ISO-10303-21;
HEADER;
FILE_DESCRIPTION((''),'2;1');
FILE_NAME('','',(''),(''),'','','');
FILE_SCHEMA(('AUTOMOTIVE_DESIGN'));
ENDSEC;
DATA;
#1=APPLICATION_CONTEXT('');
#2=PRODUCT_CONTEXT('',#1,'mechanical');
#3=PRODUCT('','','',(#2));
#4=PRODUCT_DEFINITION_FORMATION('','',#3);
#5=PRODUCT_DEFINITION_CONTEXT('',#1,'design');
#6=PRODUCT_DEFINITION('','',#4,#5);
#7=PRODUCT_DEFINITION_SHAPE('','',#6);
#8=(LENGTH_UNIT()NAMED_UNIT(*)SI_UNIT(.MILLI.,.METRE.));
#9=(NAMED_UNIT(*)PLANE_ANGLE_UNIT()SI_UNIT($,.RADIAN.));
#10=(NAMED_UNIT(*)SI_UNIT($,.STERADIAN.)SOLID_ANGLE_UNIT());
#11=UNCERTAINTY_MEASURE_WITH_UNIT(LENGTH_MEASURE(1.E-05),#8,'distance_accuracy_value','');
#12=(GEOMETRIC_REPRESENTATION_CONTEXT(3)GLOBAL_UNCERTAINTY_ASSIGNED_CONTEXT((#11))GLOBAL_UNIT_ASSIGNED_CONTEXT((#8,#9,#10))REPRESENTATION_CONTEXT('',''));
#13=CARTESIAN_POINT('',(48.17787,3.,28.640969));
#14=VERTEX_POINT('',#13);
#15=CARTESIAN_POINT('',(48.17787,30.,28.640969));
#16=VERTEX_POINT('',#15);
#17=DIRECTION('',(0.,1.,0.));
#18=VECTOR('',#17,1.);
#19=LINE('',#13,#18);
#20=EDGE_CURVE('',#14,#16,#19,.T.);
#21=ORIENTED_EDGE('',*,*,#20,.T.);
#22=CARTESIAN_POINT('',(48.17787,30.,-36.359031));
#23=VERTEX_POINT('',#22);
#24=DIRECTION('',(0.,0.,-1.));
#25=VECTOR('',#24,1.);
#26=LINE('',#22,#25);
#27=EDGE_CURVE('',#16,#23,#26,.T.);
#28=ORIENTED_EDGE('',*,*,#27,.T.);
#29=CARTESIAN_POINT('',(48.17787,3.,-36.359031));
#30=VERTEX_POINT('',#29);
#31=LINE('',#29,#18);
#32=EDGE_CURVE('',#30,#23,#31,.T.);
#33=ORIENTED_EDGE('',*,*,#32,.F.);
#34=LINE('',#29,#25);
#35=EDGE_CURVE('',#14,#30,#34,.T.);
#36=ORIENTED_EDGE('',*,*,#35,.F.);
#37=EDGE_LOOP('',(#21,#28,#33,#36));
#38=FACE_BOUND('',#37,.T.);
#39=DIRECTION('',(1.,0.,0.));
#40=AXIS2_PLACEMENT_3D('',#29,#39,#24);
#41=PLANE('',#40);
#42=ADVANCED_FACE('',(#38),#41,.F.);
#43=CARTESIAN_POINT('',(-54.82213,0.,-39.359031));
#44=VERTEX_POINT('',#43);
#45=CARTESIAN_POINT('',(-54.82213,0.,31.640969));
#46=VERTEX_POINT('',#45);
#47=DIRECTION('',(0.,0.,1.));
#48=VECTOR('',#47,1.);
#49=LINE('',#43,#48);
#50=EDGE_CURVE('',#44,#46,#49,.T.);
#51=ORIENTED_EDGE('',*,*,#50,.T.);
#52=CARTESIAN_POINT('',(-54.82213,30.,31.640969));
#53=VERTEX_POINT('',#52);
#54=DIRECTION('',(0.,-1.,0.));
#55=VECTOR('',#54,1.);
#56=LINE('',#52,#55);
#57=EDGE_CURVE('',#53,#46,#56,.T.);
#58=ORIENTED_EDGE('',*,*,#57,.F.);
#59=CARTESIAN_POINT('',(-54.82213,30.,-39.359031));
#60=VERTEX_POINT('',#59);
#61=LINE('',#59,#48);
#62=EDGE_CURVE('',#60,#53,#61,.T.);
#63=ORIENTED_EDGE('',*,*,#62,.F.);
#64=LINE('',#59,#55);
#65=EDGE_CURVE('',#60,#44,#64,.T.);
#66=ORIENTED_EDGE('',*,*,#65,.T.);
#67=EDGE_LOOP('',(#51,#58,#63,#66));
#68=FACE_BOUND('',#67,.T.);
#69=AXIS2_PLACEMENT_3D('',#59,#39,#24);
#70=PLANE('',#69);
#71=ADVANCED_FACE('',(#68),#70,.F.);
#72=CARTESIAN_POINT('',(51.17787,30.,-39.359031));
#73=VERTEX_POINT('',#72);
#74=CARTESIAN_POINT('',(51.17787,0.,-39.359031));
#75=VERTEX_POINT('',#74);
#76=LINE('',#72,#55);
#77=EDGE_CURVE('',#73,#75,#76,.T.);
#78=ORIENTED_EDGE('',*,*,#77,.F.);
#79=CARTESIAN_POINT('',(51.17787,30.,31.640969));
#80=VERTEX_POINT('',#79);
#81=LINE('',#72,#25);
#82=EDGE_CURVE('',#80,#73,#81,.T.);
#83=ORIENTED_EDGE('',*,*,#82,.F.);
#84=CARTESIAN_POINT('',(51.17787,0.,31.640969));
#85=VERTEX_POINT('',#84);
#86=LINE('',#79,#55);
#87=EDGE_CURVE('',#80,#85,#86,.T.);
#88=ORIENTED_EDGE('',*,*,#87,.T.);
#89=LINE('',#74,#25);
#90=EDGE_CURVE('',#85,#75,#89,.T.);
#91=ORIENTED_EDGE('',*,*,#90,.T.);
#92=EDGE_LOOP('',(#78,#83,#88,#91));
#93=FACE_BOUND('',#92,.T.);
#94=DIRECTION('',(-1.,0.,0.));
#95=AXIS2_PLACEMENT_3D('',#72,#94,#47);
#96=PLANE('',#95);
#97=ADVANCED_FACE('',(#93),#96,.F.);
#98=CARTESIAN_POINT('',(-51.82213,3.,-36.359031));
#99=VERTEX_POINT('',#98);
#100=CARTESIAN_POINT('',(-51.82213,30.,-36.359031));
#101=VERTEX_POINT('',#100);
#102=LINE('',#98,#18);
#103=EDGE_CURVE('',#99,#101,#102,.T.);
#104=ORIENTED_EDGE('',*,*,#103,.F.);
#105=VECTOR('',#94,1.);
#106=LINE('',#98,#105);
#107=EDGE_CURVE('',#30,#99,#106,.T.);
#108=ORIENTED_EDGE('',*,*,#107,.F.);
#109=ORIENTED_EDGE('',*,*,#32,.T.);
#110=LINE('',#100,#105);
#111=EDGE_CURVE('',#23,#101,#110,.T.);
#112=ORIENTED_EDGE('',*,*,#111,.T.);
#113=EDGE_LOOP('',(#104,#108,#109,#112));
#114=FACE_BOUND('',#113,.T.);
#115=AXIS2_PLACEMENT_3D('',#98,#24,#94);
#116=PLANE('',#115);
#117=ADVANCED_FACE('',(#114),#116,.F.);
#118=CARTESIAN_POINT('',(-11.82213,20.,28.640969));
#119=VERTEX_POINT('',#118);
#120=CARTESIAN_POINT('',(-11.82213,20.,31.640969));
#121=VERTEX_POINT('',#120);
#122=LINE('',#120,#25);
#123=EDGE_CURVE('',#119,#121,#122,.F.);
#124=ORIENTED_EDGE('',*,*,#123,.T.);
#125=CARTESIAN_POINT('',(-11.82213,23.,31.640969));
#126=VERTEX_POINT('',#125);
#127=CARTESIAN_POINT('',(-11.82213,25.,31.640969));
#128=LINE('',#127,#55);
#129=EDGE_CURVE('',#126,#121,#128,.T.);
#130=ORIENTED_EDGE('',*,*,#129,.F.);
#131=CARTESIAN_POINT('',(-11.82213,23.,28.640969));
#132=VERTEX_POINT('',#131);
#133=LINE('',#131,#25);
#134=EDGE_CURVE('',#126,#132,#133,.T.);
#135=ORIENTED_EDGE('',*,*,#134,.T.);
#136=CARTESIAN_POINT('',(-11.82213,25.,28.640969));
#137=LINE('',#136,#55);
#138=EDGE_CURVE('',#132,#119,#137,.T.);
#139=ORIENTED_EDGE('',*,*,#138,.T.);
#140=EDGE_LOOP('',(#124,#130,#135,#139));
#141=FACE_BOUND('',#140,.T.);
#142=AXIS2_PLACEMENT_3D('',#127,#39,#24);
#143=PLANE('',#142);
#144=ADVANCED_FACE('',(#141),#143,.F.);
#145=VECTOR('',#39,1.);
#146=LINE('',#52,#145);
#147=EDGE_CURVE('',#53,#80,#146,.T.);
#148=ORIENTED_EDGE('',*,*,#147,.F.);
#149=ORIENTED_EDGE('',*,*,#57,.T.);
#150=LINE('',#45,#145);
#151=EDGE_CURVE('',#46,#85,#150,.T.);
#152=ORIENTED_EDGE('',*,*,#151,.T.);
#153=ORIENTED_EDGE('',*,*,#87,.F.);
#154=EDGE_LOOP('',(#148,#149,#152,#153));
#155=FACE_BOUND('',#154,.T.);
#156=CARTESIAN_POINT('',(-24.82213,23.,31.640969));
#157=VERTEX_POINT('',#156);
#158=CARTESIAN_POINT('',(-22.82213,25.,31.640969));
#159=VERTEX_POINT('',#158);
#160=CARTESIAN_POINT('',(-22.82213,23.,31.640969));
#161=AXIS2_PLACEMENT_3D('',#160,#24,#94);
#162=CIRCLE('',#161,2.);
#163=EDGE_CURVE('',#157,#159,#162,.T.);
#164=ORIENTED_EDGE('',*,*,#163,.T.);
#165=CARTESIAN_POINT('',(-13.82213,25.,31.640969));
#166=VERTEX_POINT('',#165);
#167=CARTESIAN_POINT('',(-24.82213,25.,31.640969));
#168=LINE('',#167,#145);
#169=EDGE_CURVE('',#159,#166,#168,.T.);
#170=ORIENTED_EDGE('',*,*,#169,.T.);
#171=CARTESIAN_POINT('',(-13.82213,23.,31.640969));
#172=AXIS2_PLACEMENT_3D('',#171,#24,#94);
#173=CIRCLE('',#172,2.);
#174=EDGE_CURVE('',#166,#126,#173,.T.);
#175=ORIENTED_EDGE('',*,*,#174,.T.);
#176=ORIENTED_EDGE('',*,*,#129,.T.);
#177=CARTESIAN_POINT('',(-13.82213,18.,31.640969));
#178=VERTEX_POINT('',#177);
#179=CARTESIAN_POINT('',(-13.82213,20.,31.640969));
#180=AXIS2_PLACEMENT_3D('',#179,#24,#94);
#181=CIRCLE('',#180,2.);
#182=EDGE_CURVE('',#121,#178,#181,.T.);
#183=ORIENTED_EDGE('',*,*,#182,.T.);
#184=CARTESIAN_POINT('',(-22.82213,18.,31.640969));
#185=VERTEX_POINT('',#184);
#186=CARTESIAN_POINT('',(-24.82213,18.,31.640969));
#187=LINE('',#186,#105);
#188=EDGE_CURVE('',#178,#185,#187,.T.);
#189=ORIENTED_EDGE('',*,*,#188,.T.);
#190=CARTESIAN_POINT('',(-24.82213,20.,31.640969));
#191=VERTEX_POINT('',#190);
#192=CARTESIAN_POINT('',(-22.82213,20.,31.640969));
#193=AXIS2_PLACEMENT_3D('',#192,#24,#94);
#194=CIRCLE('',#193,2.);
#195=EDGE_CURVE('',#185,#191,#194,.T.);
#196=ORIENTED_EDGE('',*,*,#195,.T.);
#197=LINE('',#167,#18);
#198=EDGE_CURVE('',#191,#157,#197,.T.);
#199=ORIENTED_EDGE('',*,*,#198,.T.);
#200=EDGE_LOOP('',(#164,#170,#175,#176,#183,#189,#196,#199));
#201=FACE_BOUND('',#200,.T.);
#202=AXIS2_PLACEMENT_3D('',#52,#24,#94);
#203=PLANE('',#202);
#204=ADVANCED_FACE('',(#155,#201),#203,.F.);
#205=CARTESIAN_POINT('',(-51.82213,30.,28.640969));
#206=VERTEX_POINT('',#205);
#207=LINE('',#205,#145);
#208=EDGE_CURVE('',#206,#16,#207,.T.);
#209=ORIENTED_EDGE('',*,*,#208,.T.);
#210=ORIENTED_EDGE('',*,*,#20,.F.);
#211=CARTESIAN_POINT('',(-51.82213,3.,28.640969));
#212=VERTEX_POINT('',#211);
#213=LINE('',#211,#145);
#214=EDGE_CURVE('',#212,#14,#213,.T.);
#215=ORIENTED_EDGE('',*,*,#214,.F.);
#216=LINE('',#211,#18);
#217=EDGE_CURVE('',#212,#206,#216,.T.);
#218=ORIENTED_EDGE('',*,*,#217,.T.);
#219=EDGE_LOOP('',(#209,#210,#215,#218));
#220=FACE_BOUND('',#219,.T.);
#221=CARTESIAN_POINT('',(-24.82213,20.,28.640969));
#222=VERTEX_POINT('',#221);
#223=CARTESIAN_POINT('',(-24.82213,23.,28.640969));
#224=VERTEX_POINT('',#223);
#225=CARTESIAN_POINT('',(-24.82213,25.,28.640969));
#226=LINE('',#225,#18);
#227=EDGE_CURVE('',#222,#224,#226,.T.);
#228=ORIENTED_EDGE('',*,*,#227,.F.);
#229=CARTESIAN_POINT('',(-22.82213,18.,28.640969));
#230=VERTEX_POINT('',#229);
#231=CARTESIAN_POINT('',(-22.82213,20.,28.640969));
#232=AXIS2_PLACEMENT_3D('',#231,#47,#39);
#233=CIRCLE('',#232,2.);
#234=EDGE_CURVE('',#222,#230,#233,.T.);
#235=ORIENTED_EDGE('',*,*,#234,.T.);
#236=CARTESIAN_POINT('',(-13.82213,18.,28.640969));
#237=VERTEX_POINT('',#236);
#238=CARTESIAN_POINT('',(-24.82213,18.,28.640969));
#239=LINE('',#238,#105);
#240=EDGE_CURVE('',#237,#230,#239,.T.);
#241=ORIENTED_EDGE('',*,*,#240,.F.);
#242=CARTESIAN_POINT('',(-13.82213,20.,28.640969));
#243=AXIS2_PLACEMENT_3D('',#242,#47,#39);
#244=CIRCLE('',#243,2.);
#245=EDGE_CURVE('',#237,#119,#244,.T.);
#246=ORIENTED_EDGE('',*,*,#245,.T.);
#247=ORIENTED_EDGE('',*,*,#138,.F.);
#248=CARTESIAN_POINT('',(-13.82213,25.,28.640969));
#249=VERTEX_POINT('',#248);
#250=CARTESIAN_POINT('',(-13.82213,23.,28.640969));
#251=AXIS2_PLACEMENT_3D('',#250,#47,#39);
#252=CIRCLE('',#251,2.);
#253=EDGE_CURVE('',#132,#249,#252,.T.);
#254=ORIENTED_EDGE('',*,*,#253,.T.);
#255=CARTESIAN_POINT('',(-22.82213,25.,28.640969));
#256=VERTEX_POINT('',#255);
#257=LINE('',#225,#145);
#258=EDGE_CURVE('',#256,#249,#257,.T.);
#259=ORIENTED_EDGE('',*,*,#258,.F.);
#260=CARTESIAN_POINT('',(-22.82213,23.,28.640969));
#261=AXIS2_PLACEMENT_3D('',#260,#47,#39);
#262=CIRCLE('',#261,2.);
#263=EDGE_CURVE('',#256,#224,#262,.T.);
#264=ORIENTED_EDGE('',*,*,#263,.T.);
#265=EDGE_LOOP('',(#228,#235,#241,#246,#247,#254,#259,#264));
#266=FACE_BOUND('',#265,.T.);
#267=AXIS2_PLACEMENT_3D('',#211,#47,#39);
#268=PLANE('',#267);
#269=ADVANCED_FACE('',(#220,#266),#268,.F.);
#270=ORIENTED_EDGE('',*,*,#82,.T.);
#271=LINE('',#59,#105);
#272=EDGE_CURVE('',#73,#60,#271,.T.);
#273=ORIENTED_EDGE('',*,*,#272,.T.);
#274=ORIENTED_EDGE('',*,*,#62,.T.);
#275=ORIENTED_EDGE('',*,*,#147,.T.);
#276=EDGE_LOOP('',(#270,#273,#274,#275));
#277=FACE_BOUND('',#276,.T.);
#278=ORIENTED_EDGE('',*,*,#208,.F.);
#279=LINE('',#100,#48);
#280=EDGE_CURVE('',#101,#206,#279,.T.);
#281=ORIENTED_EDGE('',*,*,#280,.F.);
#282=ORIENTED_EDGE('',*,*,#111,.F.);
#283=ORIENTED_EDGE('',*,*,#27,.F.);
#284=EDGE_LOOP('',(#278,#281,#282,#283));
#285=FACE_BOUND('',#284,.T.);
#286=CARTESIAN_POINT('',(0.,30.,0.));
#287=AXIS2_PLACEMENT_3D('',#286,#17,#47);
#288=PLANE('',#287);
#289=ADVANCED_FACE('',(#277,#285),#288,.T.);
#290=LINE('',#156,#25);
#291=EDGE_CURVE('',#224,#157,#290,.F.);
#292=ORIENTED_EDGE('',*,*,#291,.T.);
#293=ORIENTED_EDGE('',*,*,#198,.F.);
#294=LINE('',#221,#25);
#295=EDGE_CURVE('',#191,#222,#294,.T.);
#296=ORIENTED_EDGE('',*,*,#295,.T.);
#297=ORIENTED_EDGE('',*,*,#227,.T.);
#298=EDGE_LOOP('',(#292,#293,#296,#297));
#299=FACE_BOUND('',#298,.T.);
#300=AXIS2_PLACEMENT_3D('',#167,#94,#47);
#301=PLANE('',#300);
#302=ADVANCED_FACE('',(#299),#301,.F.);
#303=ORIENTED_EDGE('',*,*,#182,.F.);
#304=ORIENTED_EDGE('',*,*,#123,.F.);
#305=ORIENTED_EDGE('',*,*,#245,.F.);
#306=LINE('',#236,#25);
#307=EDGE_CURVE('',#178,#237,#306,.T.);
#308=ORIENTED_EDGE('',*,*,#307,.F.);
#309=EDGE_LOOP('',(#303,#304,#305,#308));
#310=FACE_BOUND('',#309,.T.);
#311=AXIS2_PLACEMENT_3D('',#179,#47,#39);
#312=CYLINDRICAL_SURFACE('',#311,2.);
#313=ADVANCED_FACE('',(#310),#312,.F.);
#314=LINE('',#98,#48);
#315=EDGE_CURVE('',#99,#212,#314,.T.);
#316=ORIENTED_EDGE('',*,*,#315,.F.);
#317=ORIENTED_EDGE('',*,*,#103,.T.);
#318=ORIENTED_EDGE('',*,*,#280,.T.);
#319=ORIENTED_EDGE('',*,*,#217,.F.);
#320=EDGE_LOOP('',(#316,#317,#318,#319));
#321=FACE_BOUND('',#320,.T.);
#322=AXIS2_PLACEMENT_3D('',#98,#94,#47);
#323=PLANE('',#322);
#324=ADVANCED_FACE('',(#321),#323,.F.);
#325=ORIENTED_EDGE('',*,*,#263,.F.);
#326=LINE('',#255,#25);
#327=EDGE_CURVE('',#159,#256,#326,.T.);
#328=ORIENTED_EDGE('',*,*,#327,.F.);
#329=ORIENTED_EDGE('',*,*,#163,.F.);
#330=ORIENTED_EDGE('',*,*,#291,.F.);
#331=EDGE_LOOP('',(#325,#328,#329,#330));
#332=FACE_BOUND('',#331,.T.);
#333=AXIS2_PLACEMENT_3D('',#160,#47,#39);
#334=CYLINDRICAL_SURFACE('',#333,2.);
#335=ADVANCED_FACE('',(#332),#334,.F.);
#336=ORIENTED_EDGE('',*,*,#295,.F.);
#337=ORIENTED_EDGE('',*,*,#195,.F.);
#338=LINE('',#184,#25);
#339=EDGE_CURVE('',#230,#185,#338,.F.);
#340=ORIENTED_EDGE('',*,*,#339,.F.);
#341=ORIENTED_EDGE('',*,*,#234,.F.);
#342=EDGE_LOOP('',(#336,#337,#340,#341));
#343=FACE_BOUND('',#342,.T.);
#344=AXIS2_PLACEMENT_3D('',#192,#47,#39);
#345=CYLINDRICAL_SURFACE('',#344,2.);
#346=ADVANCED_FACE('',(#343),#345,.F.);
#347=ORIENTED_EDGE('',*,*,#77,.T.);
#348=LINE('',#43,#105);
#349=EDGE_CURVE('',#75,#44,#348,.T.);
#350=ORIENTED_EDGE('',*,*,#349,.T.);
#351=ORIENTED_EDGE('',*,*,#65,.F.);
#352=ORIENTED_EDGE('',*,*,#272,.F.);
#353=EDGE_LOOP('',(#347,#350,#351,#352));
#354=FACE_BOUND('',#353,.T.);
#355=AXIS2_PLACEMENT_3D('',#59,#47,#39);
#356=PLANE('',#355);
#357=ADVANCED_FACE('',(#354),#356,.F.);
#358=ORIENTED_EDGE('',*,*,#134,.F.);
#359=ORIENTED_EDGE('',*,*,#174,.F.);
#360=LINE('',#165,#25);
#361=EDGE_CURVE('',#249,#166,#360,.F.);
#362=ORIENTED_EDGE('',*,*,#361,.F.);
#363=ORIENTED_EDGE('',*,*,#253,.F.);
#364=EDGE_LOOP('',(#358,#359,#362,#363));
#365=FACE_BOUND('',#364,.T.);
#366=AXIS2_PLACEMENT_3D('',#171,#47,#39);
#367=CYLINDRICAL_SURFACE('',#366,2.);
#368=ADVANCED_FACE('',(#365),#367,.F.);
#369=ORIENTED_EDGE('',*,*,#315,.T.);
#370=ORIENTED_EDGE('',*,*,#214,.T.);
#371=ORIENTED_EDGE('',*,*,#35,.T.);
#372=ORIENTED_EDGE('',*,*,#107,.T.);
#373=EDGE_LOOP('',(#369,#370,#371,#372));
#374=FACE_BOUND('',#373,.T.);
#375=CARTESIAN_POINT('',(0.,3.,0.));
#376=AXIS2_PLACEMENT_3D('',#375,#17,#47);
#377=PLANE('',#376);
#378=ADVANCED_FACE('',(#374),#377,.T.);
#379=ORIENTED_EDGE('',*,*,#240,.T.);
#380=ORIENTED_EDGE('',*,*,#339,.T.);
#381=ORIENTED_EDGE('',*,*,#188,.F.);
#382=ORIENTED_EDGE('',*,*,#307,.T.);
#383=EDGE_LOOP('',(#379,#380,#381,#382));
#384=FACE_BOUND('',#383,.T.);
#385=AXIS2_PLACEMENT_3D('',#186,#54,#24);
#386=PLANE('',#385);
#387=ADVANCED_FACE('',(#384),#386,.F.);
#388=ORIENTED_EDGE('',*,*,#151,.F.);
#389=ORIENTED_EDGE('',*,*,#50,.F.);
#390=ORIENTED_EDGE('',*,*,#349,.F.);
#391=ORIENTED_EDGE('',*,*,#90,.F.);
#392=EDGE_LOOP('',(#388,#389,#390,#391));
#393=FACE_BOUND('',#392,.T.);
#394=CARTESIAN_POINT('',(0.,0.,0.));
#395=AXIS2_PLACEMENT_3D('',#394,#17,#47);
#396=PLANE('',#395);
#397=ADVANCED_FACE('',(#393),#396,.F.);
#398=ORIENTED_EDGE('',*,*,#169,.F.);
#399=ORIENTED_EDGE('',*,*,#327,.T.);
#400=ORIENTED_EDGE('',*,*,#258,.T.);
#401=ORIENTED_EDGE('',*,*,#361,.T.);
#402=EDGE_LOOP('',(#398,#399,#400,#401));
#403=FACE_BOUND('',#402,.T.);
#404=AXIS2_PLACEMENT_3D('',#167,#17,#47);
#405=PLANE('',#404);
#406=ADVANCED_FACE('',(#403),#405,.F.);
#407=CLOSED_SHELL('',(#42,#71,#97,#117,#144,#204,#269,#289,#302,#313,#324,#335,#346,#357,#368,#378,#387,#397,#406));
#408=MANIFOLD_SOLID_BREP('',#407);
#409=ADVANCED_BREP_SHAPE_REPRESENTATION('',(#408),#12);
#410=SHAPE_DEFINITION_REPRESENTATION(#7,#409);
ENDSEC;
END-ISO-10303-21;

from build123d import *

# Parameters (mm, degrees)
SKETCH1_W           = 106
SKETCH1_H           = 71
BOSS_EXTRUDE1_DEPTH = 30
SKETCH2_W           = 100
SKETCH2_H           = 65
CUT_EXTRUDE1_DEPTH  = 27
SKETCH3_W           = 13
SKETCH3_H           = 7
CUT_EXTRUDE2_DEPTH  = 93.355107755
FILLET1_R           = 2


with BuildPart() as part:
    # Sketch1 → Boss-Extrude1 (new body)
    with BuildSketch(Plane(origin=(0, 0, 0), x_dir=(1, 0, 0), z_dir=(0, 1, 0))):
        with Locations((-1.822129915, 3.859030837)):
            Rectangle(SKETCH1_W, SKETCH1_H)
    extrude(amount=BOSS_EXTRUDE1_DEPTH)

    # Sketch2 → Cut-Extrude1 (cut)
    with BuildSketch(Plane(origin=(0, 30, 0), x_dir=(1, 0, 0), z_dir=(0, 1, 0))):
        with Locations((-1.822129915, 3.859030837)):
            Rectangle(SKETCH2_W, SKETCH2_H)
    extrude(amount=-CUT_EXTRUDE1_DEPTH, mode=Mode.SUBTRACT)

    # Sketch3 → Cut-Extrude2 (cut, through all)
    with BuildSketch(Plane(origin=(0, 0, 28.640969163), x_dir=(-1, 0, 0), z_dir=(0, 0, -1))):
        with Locations((18.322129915, 21.5)):
            Rectangle(SKETCH3_W, SKETCH3_H)
    extrude(amount=-CUT_EXTRUDE2_DEPTH, mode=Mode.SUBTRACT)

    # Fillet1
    fillet1_edges = [part.edges().sort_by_distance(p)[0] for p in [
        (-24.822129915, 25, 30.140969163),
        (-24.822129915, 18, 30.140969163),
        (-11.822129915, 18, 30.140969163),
        (-11.822129915, 25, 30.140969163),
    ]]
    fillet(fillet1_edges, radius=FILLET1_R)


solid = part.part
